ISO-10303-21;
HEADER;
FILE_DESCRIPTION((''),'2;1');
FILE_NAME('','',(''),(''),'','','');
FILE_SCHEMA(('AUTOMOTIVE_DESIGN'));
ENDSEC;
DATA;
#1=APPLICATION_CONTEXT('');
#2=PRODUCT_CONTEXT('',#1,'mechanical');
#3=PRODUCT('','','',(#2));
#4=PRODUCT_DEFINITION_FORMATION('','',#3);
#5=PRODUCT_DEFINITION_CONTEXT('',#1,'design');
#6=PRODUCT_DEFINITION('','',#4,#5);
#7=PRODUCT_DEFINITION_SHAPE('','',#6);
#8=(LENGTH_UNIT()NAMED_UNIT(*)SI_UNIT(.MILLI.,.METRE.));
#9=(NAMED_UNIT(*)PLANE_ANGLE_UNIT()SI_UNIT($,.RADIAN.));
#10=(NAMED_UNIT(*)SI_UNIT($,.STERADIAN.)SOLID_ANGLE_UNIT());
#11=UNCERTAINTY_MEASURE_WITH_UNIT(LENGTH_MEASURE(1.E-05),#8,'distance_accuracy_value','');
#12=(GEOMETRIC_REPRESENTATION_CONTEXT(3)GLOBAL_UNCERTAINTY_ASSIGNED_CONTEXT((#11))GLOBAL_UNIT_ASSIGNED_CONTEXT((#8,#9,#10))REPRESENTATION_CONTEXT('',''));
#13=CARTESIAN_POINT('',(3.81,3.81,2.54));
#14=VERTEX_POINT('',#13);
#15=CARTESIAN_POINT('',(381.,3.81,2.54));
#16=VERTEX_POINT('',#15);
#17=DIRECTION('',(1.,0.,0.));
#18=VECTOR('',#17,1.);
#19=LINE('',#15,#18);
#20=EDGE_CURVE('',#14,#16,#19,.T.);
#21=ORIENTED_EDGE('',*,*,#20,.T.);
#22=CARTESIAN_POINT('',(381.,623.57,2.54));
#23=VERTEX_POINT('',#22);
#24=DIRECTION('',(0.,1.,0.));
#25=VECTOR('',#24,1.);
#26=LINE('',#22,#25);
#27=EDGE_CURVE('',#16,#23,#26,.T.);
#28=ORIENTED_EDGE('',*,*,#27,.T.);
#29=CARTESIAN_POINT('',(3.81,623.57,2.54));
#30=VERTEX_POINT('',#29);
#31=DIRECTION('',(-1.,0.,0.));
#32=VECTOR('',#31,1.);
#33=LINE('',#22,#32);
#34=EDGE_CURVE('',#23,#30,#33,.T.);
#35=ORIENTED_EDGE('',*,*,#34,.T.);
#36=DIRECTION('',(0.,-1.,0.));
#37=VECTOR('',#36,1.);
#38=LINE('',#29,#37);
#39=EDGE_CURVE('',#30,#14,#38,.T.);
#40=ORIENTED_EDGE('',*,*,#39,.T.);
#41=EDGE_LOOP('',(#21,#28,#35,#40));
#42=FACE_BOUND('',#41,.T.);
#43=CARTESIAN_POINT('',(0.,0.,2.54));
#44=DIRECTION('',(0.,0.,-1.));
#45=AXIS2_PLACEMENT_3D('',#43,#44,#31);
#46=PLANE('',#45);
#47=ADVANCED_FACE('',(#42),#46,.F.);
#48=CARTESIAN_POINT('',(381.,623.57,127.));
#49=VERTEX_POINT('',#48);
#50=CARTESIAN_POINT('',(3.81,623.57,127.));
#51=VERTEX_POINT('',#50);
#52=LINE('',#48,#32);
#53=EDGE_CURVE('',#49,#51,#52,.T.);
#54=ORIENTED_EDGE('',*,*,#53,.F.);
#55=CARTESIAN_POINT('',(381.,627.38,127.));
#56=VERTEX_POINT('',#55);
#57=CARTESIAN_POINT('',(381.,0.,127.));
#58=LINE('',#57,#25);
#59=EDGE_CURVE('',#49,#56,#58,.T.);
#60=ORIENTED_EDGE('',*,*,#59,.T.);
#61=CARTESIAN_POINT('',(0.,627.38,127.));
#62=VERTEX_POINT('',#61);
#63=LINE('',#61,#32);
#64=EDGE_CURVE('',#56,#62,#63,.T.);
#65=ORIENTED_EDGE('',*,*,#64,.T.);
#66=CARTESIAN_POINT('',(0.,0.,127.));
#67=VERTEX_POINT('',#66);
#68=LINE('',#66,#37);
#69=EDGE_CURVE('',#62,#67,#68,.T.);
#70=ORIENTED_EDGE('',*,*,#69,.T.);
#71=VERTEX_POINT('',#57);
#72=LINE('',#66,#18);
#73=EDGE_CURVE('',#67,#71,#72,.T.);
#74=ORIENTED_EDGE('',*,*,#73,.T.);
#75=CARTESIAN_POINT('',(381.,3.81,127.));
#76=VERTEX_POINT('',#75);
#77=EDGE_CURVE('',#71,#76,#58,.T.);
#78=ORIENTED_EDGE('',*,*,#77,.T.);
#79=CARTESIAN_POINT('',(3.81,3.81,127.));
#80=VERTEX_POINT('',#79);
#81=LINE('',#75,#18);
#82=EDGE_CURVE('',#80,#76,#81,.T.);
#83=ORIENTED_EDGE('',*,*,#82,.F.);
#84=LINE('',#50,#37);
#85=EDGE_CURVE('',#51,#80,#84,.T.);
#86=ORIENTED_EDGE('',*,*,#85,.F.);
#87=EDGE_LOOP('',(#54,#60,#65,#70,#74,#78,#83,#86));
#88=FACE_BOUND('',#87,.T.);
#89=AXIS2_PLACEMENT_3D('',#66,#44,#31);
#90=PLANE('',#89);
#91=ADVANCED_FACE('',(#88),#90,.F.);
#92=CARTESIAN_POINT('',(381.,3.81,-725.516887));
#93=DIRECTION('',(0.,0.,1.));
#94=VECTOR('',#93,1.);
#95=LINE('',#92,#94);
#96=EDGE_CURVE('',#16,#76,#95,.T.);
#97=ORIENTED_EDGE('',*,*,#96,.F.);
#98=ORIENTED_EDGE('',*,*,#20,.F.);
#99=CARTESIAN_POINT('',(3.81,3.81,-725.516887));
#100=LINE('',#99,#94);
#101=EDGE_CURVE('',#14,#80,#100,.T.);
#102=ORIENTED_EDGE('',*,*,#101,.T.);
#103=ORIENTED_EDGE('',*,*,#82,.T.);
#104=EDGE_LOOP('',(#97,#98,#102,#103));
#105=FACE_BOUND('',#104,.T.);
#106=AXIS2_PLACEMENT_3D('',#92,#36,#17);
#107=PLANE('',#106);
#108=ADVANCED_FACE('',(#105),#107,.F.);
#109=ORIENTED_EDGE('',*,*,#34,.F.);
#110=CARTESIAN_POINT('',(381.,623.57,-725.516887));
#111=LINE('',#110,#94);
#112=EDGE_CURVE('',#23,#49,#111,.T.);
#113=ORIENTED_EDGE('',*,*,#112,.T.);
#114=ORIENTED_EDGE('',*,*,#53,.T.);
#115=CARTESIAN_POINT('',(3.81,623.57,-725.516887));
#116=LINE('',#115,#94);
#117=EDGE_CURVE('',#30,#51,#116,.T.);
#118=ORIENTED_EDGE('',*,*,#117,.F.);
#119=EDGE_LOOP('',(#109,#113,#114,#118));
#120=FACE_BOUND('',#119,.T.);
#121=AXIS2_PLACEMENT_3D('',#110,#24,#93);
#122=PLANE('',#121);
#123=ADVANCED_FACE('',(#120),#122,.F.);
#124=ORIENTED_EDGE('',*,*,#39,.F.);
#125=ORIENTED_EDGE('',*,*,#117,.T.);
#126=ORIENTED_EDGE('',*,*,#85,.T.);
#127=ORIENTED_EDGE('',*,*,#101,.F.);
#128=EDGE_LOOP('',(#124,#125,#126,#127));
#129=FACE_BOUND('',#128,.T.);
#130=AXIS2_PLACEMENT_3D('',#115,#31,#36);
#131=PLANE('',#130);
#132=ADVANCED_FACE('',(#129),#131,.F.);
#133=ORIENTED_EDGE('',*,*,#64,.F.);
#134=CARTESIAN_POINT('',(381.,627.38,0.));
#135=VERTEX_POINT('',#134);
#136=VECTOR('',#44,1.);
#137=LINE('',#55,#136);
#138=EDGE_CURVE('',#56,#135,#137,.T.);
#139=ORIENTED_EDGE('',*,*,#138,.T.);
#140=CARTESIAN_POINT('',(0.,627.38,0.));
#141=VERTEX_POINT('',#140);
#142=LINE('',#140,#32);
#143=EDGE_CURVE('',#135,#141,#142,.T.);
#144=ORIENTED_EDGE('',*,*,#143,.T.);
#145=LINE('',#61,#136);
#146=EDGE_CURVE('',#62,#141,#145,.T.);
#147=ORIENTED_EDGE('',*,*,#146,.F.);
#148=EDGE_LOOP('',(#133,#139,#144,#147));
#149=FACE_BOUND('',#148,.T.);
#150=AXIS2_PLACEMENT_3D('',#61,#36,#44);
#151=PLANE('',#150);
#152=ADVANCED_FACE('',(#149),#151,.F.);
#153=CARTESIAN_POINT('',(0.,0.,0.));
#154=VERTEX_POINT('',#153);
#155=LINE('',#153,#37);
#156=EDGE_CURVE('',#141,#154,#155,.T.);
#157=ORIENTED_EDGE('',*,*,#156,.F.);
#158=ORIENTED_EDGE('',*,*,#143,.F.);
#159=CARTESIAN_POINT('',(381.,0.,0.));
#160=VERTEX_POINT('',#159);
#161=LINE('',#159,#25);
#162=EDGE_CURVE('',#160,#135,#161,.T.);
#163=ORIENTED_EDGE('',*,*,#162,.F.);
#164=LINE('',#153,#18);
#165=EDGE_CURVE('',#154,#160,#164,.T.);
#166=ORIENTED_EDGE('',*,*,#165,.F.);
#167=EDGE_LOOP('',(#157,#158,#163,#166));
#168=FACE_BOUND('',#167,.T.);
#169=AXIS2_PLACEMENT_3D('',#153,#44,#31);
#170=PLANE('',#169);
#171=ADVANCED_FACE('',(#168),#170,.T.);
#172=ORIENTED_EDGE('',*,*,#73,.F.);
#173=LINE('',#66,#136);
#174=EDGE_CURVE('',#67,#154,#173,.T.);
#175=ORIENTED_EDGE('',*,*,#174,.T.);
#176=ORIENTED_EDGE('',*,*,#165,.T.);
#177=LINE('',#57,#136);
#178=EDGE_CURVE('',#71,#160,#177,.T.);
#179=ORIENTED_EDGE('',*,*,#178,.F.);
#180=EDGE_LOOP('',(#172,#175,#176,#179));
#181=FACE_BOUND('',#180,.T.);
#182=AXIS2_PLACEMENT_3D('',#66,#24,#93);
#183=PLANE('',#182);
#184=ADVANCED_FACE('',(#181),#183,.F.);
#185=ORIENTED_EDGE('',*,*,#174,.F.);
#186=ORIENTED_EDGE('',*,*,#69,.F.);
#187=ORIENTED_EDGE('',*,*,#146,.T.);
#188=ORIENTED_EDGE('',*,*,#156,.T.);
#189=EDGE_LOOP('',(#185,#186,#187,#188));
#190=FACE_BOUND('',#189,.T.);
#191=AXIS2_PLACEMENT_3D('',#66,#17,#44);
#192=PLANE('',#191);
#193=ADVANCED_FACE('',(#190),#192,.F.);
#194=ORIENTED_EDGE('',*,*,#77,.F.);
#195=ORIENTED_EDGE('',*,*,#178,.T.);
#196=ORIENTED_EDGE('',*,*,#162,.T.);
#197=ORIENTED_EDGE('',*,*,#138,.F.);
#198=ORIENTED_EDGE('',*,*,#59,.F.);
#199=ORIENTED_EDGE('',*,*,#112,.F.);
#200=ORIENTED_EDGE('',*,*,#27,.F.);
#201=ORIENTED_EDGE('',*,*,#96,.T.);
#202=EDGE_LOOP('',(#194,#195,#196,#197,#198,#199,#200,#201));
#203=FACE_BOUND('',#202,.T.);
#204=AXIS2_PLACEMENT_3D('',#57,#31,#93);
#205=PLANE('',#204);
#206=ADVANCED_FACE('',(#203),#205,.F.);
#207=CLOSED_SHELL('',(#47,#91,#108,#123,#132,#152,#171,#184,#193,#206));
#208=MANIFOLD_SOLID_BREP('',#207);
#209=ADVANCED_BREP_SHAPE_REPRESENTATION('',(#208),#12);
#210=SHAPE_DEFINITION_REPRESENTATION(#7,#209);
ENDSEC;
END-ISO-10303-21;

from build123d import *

# Parameters (mm, degrees)
SKETCH1_W           = 381
SKETCH1_H           = 627.38
BOSS_EXTRUDE1_DEPTH = 127
SKETCH2_W           = 377.19
SKETCH2_H           = 619.76
CUT_EXTRUDE1_DEPTH  = 124.46


with BuildPart() as part:
    # Sketch1 → Boss-Extrude1 (new body)
    with BuildSketch(Plane.XY):
        with Locations((190.5, 313.69)):
            Rectangle(SKETCH1_W, SKETCH1_H)
    extrude(amount=BOSS_EXTRUDE1_DEPTH)

    # Sketch2 → Cut-Extrude1 (cut)
    with BuildSketch(Plane.XY.offset(127)):
        with Locations((192.405, 313.69)):
            Rectangle(SKETCH2_W, SKETCH2_H)
    extrude(amount=-CUT_EXTRUDE1_DEPTH, mode=Mode.SUBTRACT)


solid = part.part
